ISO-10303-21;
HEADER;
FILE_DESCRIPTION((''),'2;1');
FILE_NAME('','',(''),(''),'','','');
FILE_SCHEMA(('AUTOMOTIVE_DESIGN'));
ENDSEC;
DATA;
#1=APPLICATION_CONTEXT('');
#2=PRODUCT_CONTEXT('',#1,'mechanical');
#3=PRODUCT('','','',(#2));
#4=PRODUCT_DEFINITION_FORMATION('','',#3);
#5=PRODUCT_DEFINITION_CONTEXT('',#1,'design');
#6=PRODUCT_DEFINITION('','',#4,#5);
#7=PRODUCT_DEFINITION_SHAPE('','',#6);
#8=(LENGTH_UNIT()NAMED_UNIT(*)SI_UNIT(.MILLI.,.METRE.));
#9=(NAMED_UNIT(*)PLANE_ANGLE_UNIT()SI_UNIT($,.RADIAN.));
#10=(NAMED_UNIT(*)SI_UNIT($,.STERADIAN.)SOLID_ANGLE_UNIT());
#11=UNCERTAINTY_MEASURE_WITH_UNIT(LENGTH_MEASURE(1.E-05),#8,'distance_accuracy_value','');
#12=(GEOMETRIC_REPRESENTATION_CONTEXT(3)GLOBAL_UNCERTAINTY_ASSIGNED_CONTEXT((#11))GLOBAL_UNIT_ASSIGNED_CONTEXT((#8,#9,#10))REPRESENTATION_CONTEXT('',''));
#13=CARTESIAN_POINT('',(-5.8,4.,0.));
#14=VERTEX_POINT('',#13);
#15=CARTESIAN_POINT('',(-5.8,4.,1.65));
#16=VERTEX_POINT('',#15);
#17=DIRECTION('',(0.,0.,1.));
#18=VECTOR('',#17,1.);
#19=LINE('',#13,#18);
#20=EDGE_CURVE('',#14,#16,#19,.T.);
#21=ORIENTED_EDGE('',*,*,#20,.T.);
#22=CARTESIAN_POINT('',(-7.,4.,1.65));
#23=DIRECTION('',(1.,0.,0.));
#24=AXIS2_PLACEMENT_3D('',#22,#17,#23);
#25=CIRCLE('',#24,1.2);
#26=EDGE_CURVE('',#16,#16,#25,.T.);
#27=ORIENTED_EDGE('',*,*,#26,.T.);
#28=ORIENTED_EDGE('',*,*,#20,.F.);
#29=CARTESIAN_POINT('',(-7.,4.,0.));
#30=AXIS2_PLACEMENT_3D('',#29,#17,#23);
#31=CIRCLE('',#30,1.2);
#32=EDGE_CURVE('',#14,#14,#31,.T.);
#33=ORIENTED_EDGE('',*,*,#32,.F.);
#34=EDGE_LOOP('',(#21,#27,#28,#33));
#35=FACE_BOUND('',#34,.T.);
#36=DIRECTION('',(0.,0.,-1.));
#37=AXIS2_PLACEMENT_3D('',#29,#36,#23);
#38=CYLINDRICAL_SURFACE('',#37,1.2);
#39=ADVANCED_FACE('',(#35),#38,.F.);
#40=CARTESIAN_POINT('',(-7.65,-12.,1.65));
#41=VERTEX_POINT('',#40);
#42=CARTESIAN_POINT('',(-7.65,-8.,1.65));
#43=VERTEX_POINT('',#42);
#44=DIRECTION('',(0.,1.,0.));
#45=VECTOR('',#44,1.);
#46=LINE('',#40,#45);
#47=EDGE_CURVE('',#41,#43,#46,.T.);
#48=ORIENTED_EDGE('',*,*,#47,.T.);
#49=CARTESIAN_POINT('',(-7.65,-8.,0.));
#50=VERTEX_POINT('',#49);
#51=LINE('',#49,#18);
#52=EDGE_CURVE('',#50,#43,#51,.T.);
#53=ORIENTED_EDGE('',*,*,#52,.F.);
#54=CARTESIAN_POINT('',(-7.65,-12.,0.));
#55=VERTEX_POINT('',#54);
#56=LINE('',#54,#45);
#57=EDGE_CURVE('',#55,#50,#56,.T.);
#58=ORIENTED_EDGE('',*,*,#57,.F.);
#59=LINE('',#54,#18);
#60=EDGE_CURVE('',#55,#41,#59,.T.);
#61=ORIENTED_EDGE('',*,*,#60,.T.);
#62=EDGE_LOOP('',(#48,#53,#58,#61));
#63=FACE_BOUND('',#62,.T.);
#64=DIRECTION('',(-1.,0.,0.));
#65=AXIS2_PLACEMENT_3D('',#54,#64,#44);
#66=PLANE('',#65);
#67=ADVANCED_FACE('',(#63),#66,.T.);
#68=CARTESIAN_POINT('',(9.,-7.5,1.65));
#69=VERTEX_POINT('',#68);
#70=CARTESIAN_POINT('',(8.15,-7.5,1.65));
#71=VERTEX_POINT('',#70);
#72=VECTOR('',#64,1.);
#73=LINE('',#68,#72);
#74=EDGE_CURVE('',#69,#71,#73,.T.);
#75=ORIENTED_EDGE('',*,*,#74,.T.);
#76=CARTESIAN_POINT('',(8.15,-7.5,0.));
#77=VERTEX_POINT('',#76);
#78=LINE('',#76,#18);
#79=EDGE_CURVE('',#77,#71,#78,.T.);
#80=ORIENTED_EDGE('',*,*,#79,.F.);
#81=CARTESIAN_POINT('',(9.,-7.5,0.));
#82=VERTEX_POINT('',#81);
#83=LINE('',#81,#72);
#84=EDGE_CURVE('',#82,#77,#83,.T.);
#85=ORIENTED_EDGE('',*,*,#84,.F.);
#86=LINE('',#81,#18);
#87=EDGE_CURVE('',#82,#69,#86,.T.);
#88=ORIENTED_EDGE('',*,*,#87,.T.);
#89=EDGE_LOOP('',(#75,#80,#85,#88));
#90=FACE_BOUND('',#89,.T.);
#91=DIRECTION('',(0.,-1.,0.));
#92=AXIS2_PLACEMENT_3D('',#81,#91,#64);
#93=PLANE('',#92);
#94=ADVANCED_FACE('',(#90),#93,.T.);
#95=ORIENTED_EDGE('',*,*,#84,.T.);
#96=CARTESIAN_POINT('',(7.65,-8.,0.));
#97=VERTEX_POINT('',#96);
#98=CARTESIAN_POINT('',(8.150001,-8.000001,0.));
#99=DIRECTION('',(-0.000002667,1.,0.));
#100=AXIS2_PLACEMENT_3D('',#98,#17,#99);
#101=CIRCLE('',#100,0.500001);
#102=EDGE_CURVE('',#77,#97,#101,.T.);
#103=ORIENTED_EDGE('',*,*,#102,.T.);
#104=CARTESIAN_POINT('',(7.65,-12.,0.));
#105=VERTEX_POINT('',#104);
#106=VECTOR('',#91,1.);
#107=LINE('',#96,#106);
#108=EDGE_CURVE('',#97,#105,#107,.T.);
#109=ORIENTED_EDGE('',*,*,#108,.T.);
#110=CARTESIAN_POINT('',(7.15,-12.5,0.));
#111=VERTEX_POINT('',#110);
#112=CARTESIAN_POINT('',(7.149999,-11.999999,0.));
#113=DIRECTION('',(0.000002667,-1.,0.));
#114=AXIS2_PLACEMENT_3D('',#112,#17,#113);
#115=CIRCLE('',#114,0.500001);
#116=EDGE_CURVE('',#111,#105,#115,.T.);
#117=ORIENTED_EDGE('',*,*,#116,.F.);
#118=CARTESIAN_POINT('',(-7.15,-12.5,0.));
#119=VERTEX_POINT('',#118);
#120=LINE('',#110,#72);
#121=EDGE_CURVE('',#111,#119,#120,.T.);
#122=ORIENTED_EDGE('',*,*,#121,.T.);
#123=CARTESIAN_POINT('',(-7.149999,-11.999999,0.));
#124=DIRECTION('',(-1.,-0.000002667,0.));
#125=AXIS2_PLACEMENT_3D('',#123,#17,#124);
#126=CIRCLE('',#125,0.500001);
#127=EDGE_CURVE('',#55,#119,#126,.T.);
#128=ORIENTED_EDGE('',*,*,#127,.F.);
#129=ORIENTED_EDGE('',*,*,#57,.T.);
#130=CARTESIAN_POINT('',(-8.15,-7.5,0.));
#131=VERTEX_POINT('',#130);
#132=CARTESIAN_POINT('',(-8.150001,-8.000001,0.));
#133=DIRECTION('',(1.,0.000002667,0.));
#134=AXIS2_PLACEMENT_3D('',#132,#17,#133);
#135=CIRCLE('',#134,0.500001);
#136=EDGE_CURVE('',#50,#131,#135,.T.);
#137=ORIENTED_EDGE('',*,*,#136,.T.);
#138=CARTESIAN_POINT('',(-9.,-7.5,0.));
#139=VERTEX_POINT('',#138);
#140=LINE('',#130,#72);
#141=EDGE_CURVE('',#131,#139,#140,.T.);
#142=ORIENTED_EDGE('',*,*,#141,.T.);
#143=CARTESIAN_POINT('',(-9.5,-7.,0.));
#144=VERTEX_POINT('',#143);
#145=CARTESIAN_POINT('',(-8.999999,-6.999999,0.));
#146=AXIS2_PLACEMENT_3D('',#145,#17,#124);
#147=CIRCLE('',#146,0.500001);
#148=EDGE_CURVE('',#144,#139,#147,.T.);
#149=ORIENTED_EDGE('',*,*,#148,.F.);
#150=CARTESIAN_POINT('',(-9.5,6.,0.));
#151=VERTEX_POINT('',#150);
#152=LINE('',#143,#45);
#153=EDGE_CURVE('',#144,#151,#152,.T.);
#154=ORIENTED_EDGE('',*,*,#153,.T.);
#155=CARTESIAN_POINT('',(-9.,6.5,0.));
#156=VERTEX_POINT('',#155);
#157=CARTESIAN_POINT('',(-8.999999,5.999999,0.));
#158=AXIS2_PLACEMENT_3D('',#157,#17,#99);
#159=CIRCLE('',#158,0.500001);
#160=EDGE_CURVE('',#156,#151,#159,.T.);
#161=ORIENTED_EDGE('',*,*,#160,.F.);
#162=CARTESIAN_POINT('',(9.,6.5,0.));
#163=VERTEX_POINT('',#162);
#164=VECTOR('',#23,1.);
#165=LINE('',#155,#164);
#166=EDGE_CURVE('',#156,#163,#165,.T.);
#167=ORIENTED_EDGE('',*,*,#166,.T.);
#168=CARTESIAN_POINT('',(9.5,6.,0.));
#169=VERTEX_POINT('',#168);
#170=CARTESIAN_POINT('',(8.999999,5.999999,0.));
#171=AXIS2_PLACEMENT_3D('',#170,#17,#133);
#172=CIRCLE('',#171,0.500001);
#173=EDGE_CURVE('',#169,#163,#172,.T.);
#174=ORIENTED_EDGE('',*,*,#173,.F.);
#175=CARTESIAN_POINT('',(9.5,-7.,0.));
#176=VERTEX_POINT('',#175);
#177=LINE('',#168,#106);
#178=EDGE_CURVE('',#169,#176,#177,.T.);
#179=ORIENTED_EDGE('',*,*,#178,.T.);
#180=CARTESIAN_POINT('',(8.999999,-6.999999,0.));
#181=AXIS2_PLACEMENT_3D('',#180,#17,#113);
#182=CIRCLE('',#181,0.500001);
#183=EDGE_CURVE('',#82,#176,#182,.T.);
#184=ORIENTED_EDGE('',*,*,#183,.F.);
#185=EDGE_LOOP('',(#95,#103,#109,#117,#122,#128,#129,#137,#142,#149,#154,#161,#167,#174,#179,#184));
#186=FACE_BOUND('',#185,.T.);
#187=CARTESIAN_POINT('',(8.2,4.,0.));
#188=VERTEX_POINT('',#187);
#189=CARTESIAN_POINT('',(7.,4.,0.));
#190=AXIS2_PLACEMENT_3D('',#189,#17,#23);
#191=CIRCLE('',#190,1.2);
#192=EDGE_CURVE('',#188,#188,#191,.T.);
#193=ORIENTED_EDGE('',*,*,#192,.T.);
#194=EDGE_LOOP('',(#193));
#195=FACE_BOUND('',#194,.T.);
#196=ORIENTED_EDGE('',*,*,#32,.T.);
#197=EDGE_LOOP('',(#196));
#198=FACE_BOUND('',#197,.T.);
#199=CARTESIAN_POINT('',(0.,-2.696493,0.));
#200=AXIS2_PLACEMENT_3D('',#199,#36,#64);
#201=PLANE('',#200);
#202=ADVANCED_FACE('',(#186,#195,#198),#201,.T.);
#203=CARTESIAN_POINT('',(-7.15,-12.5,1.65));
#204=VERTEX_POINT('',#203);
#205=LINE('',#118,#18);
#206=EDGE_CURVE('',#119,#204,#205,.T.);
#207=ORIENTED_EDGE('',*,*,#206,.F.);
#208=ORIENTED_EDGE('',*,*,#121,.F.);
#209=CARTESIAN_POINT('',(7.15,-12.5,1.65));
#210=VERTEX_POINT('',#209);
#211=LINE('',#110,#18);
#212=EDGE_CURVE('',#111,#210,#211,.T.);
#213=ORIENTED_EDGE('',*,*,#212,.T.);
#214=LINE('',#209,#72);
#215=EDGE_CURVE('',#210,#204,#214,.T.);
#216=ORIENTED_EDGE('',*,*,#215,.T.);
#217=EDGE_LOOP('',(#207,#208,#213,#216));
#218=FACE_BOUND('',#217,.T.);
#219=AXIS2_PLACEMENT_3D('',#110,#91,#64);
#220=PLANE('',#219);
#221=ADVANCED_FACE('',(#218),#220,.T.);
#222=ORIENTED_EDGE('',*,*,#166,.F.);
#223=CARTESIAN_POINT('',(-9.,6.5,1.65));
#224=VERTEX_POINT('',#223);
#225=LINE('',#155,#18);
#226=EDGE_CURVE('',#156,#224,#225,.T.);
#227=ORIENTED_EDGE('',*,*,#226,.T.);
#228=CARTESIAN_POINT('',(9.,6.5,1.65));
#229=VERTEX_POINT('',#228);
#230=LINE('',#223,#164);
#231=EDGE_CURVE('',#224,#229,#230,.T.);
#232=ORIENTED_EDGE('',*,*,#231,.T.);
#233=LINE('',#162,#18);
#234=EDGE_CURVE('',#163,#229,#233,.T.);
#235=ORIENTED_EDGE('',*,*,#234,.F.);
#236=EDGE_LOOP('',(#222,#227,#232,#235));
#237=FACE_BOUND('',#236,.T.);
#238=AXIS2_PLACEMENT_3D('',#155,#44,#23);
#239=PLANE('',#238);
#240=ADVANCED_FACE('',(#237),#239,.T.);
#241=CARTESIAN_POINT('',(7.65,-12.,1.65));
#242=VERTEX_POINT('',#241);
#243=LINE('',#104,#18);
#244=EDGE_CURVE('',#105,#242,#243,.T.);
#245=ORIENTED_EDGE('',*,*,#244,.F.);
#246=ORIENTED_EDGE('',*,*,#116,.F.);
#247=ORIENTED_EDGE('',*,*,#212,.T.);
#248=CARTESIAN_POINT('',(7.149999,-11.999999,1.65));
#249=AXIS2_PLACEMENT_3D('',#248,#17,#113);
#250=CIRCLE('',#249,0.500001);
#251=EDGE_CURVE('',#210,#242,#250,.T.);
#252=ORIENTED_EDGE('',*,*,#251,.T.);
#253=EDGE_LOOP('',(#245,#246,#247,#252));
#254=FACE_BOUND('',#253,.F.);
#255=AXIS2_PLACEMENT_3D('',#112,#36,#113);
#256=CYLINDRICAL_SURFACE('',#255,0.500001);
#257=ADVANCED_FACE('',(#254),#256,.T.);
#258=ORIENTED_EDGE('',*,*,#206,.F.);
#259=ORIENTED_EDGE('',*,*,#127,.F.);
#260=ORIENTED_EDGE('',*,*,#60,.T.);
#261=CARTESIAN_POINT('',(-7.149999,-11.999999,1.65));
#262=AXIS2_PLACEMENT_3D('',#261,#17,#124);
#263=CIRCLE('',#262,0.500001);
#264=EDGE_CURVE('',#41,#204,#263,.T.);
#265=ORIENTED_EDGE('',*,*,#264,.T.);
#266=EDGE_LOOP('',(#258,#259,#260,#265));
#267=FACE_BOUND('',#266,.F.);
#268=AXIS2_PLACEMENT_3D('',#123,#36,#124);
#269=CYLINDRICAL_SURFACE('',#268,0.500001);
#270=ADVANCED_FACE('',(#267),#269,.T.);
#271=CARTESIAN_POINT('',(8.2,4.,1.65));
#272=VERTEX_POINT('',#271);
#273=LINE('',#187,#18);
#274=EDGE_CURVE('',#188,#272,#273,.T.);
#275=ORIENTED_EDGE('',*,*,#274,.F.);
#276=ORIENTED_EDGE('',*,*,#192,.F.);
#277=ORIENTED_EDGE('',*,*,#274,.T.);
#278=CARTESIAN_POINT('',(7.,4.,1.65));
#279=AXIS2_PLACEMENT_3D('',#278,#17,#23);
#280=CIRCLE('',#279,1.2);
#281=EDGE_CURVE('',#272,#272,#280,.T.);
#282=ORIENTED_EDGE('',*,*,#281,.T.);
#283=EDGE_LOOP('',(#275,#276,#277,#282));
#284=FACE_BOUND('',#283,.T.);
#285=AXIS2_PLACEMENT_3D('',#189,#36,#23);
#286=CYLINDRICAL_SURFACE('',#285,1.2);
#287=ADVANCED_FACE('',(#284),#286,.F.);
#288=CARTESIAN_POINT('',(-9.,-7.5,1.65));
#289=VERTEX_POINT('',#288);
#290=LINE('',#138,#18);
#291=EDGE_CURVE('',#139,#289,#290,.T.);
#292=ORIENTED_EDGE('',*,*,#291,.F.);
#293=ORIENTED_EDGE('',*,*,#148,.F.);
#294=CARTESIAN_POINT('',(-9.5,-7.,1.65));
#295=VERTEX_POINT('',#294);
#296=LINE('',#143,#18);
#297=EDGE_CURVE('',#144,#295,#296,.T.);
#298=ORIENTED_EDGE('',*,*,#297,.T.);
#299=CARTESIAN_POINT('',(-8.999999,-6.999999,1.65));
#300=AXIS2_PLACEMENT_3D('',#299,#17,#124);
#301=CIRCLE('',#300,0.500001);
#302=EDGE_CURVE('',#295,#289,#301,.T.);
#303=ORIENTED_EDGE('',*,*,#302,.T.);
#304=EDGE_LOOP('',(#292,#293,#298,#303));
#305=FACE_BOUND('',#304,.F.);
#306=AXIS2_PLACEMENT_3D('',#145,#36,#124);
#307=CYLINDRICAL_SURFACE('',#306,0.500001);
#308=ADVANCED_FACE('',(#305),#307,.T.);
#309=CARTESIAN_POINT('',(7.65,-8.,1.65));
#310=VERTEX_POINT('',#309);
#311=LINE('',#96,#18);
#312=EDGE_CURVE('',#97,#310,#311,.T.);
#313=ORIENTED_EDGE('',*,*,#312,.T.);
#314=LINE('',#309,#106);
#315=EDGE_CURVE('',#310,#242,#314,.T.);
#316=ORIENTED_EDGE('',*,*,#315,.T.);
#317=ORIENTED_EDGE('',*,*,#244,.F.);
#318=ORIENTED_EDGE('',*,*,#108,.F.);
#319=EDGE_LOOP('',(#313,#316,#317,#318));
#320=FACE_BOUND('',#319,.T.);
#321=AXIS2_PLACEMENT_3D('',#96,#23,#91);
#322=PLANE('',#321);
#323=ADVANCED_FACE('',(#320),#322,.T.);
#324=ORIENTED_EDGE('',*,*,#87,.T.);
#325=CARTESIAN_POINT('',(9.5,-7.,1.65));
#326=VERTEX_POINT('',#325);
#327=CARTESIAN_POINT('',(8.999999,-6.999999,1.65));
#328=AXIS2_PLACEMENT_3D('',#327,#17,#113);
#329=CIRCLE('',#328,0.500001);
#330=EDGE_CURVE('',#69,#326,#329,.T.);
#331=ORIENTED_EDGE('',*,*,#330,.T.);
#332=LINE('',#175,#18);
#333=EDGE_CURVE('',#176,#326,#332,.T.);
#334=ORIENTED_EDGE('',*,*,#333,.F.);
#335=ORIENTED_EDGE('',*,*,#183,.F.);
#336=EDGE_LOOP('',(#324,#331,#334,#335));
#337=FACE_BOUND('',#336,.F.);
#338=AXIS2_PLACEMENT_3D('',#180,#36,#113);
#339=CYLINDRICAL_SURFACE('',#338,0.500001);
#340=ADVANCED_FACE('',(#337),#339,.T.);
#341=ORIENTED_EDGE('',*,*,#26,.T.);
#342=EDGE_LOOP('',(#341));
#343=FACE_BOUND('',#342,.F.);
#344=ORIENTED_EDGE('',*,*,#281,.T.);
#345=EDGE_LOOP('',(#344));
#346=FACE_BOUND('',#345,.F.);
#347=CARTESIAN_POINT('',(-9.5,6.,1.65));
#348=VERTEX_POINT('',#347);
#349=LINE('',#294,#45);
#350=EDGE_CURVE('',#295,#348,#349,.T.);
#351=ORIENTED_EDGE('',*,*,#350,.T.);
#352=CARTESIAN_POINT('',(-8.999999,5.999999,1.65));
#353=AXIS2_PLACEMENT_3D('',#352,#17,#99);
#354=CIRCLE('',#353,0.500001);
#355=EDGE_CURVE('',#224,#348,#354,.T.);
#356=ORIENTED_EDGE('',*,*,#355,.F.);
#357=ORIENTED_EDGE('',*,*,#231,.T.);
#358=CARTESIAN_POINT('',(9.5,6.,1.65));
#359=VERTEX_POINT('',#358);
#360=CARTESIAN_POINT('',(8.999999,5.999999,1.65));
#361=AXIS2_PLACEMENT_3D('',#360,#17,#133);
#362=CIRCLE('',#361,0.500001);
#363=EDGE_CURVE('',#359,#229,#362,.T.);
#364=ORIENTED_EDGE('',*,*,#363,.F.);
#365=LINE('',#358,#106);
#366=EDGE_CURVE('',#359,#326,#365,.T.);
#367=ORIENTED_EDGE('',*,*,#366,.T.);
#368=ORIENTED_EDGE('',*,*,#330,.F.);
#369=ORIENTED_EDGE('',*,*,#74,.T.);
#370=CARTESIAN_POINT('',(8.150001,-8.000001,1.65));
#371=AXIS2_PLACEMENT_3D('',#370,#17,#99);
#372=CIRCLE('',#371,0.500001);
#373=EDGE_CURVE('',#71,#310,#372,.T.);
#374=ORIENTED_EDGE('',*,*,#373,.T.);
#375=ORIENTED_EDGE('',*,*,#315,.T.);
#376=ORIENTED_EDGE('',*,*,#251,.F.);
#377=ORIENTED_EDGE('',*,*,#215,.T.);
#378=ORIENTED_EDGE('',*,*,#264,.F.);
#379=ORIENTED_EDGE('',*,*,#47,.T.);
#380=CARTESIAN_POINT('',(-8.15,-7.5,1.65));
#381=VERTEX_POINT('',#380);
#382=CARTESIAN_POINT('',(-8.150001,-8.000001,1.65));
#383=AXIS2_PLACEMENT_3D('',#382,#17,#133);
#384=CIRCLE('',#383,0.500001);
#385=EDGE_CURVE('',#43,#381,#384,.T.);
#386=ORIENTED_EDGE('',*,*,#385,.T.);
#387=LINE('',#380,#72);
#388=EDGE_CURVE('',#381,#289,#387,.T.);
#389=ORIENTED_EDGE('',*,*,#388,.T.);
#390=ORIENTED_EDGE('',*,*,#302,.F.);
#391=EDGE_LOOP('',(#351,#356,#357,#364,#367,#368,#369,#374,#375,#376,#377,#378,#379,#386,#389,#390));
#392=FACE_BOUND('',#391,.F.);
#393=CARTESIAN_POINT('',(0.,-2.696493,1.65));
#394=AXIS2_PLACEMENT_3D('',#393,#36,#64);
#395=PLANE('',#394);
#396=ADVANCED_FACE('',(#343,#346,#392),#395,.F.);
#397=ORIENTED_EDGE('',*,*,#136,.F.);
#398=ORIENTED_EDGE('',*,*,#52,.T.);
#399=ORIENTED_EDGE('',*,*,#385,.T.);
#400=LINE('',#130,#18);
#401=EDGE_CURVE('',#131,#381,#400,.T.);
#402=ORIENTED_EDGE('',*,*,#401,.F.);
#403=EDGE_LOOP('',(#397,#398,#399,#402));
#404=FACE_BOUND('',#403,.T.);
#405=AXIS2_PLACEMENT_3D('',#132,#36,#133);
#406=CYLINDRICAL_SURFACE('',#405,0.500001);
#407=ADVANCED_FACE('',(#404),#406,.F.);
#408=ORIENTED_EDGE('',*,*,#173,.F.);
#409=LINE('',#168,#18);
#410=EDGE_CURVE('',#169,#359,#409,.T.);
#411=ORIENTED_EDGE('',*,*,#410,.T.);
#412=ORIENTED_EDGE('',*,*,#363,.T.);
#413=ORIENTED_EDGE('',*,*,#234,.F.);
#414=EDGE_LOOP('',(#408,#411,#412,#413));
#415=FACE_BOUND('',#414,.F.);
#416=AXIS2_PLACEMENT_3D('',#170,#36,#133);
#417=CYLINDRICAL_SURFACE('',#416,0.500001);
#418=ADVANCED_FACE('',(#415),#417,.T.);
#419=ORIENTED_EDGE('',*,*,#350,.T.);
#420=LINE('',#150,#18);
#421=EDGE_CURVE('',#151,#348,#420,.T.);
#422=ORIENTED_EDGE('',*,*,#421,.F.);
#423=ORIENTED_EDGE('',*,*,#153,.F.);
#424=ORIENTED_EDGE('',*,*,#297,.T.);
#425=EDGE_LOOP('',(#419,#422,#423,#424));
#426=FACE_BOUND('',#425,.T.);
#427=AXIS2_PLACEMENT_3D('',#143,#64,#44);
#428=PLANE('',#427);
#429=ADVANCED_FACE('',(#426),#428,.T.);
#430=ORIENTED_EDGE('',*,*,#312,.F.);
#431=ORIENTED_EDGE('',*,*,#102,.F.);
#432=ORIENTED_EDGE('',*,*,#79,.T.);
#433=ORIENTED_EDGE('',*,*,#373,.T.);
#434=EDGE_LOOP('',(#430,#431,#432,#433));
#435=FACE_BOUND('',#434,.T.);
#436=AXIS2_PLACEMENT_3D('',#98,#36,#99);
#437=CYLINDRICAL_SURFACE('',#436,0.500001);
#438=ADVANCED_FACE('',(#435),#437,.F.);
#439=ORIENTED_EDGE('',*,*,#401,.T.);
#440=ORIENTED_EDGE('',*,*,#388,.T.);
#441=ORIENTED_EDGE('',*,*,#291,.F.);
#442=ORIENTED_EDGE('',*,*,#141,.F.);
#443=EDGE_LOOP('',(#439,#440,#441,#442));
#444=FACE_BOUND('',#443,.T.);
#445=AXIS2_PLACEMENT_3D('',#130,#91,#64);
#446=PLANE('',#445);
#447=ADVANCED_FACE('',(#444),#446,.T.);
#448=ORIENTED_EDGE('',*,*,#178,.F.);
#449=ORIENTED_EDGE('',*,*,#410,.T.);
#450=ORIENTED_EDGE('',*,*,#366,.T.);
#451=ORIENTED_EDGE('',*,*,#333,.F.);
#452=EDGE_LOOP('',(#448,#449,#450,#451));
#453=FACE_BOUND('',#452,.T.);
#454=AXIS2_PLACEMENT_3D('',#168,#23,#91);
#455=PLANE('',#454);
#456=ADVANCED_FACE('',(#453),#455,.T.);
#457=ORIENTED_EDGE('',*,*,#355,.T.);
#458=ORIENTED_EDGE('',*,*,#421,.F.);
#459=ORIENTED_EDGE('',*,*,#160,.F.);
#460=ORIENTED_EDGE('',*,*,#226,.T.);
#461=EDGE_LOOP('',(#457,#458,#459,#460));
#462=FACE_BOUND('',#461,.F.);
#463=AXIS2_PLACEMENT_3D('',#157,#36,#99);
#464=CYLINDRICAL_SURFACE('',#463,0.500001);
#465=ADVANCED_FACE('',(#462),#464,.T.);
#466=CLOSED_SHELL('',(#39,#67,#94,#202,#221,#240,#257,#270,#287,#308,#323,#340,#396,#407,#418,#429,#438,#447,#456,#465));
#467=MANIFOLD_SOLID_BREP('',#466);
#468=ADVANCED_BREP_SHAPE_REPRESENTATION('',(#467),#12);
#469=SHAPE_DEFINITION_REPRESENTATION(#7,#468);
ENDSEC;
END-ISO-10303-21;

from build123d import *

# Parameters (mm, degrees)
SKETCH_R  = 1.2
PAD_DEPTH = 1.65


with BuildPart() as part:
    # Sketch → Pad (new body)
    with BuildSketch(Plane.XY):
        with BuildLine():
            Line((-9, 6.5), (9, 6.5))
            ThreePointArc((9.5, 6), (9.353553, 6.353553), (9, 6.5))
            Line((9.5, 6), (9.5, -7))
            ThreePointArc((9, -7.5), (9.353553, -7.353553), (9.5, -7))
            Line((9, -7.5), (8.15, -7.5))
            ThreePointArc((8.15, -7.5), (7.796447, -7.646447), (7.65, -8))
            Line((7.65, -8), (7.65, -12))
            ThreePointArc((7.15, -12.5), (7.503553, -12.353553), (7.65, -12))
            Line((7.15, -12.5), (-7.15, -12.5))
            ThreePointArc((-7.65, -12), (-7.503553, -12.353553), (-7.15, -12.5))
            Line((-7.65, -12), (-7.65, -8))
            ThreePointArc((-7.65, -8), (-7.796447, -7.646447), (-8.15, -7.5))
            Line((-8.15, -7.5), (-9, -7.5))
            ThreePointArc((-9.5, -7), (-9.353553, -7.353553), (-9, -7.5))
            Line((-9.5, -7), (-9.5, 6))
            ThreePointArc((-9, 6.5), (-9.353553, 6.353553), (-9.5, 6))
        make_face()
        with Locations((-7, 4)):
            Circle(SKETCH_R, mode=Mode.SUBTRACT)
        with Locations((7, 4)):
            Circle(SKETCH_R, mode=Mode.SUBTRACT)
    extrude(amount=PAD_DEPTH)


solid = part.part
